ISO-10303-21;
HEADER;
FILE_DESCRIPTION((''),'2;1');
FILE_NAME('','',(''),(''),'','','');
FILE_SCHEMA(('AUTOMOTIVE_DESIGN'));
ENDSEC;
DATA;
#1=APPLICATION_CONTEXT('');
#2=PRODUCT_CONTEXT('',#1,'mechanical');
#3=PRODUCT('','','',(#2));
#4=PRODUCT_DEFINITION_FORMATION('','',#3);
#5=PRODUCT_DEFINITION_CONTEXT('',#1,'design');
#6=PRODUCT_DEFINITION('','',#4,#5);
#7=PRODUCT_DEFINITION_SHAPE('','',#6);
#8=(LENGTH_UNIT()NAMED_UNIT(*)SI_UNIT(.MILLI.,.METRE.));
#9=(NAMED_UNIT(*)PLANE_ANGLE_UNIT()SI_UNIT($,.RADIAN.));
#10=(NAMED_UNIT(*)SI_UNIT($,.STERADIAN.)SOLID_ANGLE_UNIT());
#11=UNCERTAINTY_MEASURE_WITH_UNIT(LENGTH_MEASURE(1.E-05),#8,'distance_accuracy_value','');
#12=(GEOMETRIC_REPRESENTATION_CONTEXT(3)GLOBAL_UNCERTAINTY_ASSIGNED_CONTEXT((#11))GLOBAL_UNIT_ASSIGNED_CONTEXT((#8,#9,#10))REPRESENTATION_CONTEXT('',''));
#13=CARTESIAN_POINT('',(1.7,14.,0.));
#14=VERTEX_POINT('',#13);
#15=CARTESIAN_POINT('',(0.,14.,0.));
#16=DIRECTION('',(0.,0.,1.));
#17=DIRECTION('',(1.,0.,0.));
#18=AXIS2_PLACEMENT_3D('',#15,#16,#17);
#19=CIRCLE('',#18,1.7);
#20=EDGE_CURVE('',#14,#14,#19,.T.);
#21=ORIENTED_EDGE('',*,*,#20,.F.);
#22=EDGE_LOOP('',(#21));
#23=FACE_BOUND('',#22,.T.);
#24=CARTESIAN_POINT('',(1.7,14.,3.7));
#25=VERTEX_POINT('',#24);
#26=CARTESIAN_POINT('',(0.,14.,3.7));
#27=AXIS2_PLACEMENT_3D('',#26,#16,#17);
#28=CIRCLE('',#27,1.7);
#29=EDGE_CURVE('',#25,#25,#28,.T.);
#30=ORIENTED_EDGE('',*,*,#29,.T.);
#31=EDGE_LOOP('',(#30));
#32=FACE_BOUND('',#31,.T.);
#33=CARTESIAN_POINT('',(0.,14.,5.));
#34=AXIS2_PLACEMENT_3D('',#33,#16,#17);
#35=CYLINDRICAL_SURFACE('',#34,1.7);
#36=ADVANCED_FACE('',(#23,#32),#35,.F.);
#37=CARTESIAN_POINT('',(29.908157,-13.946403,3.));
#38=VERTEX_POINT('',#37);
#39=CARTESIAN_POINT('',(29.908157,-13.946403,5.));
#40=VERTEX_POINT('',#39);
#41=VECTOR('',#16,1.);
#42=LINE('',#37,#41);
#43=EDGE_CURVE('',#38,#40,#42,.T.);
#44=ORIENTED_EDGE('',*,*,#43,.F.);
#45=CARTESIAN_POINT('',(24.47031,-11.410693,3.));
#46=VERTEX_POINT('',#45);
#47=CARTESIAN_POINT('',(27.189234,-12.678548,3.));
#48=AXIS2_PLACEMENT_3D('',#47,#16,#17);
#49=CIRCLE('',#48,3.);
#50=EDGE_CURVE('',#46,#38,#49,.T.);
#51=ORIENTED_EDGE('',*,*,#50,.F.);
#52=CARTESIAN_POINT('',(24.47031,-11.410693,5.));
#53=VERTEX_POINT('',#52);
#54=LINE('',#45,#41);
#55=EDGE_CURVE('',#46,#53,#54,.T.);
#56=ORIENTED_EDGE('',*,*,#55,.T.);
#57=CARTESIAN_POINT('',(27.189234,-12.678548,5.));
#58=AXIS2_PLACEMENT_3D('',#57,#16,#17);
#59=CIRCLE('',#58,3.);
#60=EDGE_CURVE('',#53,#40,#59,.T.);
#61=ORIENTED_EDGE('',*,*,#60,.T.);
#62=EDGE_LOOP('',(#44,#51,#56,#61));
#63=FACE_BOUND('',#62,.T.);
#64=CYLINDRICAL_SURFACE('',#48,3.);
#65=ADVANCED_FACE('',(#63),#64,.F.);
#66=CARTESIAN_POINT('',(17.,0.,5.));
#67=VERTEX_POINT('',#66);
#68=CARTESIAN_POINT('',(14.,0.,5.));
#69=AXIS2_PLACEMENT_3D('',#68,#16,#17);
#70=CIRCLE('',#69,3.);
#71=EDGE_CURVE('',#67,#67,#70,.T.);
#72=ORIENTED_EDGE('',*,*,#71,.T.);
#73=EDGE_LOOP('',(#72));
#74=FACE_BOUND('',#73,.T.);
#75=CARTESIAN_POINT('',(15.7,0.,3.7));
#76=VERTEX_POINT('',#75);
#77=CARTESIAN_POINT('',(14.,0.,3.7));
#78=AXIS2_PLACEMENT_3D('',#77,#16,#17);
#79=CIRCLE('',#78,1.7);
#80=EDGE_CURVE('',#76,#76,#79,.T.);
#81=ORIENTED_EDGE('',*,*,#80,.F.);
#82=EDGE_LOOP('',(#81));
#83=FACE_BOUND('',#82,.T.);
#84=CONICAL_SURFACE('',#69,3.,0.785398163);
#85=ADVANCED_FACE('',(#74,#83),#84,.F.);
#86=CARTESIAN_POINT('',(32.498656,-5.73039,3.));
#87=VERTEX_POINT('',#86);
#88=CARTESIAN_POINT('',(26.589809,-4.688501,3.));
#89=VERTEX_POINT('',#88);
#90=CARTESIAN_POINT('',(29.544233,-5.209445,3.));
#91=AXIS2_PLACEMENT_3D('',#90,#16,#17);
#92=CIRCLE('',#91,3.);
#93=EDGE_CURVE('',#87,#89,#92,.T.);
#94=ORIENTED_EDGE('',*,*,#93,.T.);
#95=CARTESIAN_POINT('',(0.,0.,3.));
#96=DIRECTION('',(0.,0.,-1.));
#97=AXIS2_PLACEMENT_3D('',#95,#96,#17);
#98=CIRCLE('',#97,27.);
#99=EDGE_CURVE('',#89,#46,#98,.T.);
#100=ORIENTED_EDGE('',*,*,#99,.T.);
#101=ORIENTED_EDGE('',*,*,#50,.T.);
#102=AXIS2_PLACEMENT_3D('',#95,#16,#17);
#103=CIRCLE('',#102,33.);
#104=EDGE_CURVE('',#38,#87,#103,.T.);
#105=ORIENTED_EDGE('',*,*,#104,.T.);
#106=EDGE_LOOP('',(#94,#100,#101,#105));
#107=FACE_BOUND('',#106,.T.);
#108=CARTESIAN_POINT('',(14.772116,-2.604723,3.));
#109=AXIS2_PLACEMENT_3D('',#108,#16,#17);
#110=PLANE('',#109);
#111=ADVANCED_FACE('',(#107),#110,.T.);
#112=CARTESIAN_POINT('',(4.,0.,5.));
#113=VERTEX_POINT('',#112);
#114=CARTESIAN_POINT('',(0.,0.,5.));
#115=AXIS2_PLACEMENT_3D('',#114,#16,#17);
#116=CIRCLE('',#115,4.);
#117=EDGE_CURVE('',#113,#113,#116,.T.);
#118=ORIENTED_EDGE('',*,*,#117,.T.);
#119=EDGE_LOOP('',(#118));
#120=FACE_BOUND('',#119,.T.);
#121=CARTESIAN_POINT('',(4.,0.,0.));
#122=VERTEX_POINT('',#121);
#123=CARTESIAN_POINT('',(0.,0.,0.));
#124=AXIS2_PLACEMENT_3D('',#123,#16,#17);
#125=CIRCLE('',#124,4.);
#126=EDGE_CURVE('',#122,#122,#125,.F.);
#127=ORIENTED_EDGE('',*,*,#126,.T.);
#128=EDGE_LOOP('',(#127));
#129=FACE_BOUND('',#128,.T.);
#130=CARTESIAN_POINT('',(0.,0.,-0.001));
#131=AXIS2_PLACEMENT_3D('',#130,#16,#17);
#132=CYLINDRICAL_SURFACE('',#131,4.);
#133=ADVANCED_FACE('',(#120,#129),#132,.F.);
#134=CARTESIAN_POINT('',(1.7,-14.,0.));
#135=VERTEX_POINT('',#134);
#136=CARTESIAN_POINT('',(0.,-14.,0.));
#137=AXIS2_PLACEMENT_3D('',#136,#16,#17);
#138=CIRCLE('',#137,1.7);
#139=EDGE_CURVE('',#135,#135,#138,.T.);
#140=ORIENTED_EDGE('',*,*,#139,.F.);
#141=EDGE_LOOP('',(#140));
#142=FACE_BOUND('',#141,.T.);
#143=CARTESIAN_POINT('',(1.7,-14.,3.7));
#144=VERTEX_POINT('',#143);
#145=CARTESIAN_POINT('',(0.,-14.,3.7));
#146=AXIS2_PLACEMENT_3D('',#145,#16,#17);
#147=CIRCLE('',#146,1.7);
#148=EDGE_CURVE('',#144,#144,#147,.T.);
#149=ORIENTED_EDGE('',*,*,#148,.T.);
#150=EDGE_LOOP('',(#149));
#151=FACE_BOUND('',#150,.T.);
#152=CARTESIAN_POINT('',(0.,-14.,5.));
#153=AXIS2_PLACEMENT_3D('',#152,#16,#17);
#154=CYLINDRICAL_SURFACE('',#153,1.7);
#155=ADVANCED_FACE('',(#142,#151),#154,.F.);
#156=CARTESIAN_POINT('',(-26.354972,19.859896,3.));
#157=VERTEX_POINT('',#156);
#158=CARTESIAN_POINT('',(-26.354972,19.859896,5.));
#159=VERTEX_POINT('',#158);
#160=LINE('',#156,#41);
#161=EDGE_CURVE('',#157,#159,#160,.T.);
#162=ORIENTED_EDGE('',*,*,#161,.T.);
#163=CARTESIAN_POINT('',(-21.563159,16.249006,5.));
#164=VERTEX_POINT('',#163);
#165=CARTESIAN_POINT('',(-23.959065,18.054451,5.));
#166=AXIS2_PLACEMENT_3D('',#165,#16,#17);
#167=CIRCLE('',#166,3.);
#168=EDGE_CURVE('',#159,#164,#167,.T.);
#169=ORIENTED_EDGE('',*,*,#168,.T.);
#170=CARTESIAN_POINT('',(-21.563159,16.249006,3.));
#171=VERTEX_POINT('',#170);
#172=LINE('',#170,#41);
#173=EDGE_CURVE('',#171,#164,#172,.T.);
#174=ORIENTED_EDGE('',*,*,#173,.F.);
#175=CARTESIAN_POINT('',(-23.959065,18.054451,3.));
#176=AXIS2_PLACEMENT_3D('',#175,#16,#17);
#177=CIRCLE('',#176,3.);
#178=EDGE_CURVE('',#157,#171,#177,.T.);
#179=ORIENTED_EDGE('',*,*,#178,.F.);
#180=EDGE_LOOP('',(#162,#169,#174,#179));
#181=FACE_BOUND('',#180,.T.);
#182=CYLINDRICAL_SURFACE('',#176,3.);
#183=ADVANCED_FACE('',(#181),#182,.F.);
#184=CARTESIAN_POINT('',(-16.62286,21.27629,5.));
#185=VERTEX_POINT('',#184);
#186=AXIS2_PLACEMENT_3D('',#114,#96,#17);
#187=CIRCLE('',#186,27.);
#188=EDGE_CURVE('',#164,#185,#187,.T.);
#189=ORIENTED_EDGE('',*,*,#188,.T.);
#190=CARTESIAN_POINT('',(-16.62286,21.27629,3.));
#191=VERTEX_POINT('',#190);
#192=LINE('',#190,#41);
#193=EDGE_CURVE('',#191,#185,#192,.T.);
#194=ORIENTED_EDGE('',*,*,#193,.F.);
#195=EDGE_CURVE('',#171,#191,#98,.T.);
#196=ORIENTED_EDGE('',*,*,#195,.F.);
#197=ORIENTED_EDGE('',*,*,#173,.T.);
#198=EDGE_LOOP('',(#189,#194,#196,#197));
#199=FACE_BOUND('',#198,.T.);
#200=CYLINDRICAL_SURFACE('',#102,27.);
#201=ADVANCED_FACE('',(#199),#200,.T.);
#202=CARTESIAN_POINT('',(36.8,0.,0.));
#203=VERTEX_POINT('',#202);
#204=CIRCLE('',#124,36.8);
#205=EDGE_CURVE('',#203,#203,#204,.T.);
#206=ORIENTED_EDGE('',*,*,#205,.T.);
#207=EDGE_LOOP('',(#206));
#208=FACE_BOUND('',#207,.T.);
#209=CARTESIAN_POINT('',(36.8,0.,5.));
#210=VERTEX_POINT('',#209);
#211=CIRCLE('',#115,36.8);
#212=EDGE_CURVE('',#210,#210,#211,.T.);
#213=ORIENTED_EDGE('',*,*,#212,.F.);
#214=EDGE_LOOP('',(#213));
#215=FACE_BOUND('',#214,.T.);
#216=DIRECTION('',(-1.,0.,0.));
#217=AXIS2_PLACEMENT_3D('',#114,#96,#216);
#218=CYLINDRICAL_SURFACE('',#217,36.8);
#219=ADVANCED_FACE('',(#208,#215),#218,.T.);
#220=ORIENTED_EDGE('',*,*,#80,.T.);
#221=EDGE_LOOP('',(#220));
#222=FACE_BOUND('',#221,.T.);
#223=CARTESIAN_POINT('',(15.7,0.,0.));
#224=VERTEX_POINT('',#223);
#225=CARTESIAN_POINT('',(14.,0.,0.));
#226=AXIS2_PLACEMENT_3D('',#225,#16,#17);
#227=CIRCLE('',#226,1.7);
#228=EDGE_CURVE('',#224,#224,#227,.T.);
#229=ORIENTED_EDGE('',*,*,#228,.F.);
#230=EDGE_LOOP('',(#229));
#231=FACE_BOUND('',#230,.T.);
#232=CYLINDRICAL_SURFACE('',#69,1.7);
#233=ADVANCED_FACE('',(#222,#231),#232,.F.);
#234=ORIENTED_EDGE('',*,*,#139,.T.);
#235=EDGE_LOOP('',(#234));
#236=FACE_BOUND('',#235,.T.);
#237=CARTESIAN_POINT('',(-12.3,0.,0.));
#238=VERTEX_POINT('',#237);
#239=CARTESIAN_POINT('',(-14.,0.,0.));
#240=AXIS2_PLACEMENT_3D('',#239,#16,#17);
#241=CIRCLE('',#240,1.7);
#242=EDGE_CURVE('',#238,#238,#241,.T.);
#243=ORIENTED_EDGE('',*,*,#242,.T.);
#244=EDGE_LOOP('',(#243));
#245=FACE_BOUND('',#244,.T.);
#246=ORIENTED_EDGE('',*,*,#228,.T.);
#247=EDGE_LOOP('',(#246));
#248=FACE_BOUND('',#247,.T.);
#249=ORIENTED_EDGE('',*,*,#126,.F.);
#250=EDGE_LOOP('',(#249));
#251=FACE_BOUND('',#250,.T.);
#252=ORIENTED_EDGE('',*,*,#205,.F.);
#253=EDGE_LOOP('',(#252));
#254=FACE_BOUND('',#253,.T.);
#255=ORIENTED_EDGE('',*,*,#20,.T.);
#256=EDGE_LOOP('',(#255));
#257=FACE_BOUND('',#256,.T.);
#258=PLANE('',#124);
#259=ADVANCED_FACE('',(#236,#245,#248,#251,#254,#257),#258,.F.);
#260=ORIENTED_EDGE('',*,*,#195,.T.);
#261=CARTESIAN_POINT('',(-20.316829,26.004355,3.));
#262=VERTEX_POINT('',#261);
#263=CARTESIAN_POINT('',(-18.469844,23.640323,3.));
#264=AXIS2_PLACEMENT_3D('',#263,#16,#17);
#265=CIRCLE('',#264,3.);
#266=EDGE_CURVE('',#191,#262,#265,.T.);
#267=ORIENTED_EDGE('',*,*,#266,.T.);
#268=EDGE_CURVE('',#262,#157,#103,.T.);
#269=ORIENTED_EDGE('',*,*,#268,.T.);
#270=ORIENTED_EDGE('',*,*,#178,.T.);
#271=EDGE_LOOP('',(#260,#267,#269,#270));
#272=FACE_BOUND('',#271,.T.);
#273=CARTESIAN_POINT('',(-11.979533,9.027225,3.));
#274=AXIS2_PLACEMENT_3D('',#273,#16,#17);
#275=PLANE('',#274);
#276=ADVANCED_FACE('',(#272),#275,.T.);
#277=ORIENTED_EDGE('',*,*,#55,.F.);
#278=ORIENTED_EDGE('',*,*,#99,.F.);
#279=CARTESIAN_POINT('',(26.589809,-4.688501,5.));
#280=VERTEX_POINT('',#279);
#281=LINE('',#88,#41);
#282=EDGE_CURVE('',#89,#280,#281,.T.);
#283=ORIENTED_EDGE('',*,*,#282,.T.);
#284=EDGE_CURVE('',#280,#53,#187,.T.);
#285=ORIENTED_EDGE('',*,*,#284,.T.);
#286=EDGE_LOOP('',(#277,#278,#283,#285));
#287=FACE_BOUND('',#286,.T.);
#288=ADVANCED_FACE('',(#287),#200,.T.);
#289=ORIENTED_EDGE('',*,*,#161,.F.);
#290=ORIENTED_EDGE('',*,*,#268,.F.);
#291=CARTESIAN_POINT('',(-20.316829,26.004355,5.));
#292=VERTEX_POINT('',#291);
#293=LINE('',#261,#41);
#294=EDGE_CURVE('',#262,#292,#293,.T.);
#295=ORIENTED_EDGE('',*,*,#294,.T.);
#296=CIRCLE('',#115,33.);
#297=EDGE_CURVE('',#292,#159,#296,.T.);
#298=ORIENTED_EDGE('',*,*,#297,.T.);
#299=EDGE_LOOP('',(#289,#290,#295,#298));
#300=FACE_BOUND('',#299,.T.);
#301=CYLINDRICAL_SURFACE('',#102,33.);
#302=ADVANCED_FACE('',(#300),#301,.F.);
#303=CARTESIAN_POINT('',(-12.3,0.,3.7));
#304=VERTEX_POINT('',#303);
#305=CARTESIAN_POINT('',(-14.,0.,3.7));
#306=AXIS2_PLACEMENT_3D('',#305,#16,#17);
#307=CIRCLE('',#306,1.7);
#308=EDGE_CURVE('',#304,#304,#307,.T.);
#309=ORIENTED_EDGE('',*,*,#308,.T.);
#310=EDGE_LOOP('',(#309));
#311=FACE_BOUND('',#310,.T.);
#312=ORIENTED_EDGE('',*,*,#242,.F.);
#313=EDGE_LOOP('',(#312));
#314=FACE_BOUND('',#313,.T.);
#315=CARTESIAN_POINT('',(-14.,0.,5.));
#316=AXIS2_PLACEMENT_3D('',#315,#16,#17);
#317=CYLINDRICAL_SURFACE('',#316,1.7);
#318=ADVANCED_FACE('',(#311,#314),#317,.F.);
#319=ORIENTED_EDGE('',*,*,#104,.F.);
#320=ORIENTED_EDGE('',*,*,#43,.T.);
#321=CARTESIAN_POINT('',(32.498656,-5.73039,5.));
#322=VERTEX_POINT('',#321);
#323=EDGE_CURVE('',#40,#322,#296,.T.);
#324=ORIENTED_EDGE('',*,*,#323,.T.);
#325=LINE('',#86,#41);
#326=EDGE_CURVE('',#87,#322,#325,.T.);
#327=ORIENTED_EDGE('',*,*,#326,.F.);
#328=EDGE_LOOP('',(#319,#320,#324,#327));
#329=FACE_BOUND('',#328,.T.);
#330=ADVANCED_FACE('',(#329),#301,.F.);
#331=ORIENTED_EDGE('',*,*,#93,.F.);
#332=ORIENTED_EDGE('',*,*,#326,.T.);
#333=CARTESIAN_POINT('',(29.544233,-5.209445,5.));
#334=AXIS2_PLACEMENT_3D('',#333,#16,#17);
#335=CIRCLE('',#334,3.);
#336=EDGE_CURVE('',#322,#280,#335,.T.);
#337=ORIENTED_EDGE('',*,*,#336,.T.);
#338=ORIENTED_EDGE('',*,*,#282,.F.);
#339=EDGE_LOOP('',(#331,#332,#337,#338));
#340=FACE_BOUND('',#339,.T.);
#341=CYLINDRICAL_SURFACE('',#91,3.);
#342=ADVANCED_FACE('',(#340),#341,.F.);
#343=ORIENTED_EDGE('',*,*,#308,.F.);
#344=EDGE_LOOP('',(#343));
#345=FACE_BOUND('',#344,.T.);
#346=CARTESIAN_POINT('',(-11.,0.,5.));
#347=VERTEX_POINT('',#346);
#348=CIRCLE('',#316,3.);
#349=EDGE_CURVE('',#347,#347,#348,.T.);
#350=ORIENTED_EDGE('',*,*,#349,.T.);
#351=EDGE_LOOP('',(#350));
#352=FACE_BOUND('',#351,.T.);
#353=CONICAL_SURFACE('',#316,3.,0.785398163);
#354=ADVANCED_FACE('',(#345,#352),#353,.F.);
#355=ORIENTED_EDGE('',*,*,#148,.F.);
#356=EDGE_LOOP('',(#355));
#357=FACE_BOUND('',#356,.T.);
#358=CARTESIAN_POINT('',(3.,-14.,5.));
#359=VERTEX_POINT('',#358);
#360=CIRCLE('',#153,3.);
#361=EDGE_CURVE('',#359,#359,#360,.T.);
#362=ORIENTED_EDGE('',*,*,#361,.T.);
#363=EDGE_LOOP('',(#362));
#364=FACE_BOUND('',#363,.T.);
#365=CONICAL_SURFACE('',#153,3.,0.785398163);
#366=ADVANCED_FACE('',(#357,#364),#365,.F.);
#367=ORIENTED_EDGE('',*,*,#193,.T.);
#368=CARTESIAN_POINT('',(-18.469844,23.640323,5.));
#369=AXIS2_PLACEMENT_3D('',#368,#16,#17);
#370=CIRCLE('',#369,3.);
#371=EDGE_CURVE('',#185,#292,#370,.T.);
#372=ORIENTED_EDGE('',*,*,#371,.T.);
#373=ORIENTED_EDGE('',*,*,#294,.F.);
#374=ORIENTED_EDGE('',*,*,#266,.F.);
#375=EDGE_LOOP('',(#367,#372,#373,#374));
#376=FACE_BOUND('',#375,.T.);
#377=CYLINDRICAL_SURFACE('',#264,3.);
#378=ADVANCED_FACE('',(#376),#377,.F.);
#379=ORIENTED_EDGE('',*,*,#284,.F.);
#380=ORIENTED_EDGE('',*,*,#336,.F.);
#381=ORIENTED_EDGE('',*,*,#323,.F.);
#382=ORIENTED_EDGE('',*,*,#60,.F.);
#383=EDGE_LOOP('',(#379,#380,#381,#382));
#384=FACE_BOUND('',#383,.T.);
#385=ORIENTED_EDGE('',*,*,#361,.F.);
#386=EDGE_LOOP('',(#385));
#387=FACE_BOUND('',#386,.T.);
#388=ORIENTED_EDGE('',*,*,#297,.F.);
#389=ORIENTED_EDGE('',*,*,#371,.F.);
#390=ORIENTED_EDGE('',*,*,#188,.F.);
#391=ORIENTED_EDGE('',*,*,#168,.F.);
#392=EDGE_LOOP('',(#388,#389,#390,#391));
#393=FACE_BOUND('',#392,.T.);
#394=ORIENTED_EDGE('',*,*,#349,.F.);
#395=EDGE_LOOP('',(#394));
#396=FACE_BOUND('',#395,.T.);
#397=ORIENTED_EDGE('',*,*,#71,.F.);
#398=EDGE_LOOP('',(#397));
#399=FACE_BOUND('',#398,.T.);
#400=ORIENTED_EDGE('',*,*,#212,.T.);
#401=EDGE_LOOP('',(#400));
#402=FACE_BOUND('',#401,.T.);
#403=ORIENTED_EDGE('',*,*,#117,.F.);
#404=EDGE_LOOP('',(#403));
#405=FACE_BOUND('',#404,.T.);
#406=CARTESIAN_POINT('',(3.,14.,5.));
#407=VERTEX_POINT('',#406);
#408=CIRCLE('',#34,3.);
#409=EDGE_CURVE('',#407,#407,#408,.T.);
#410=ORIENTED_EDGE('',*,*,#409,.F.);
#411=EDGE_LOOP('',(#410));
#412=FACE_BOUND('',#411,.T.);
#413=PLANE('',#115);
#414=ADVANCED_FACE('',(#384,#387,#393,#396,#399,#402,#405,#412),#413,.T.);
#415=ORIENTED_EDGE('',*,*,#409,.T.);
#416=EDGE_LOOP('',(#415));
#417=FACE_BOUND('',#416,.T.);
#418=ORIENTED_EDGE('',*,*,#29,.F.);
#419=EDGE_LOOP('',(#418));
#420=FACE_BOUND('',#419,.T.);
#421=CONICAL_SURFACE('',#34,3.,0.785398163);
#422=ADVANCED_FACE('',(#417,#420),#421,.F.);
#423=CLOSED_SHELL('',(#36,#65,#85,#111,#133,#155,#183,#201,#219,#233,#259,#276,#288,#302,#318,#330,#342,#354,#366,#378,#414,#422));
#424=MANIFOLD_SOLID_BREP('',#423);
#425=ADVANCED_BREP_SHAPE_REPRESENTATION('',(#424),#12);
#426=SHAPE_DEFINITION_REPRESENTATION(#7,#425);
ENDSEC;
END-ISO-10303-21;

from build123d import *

# Parameters (mm, degrees)
SKETCH1_R                                           = 36.8
BOSS_EXTRUDE1_DEPTH                                 = 5
CUT_EXTRUDE1_REACH                                  = 54.283
SKETCH2_R                                           = 4
CUT_EXTRUDE2_DEPTH                                  = 2
CUT_EXTRUDE3_DEPTH                                  = 2
CSK_FOR_M3_FLAT_COUNTERSUNK_HEAD_SCREW1_D           = 3.4
CSK_FOR_M3_FLAT_COUNTERSUNK_HEAD_SCREW1_DEPTH       = 9
CSK_FOR_M3_FLAT_COUNTERSUNK_HEAD_SCREW1_CSINK_D     = 6
CSK_FOR_M3_FLAT_COUNTERSUNK_HEAD_SCREW1_CSINK_ANGLE = 90
CSK_FOR_M3_FLAT_COUNTERSUNK_HEAD_SCREW1_TIP         = 1.021463052


with BuildPart() as part:
    # Sketch1 → Boss-Extrude1 (new body)
    with BuildSketch(Plane.XY):
        Circle(SKETCH1_R)
    extrude(amount=BOSS_EXTRUDE1_DEPTH)

    # Sketch2 → Cut-Extrude1 (cut, up to next)
    with BuildSketch(Plane.XY.offset(5), mode=Mode.PRIVATE) as cut_extrude1_sk1:
        Circle(SKETCH2_R)
    cut_extrude1_tool1 = extrude(cut_extrude1_sk1.sketch, amount=-CUT_EXTRUDE1_REACH, mode=Mode.PRIVATE) & part.part
    add(cut_extrude1_tool1.solids().sort_by_distance((0, 0, 5))[0], mode=Mode.SUBTRACT)

    # Sketch3 → Cut-Extrude2 (cut)
    with BuildSketch(Plane.XY.offset(5)):
        with BuildLine():
            ThreePointArc((24.47031025, -11.410693067), (25.75035767, -8.119056587), (26.589809331, -4.688500797))
            ThreePointArc((26.589809331, -4.688500797), (30.065177123, -2.255022071), (32.498655849, -5.730389863))
            ThreePointArc((32.498655849, -5.730389863), (31.472659375, -9.923291384), (29.908156972, -13.946402637))
            ThreePointArc((29.908156972, -13.946402637), (25.921378826, -15.397471213), (24.47031025, -11.410693067))
        make_face()
    extrude(amount=-CUT_EXTRUDE2_DEPTH, mode=Mode.SUBTRACT)

    # Sketch4 → Cut-Extrude3 (cut)
    with BuildSketch(Plane.XY.offset(5)):
        with BuildLine():
            ThreePointArc((-20.316828686, 26.004354869), (-23.537264822, 23.130005722), (-26.354971832, 19.859895764))
            ThreePointArc((-26.354971832, 19.859895764), (-25.764510371, 15.658544164), (-21.563158771, 16.249005625))
            ThreePointArc((-21.563158771, 16.249005625), (-19.257762127, 18.924550136), (-16.622859834, 21.276290347))
            ThreePointArc((-16.622859834, 21.276290347), (-16.105811999, 25.487307034), (-20.316828686, 26.004354869))
        make_face()
    extrude(amount=-CUT_EXTRUDE3_DEPTH, mode=Mode.SUBTRACT)

    # CSK for M3 Flat Countersunk Head Screw1
    with Locations(Plane.XY.offset(5)):
        with Locations((0, 14), (14, 0), (0, -14), (-14, 0)):
            CounterSinkHole(CSK_FOR_M3_FLAT_COUNTERSUNK_HEAD_SCREW1_D / 2, CSK_FOR_M3_FLAT_COUNTERSUNK_HEAD_SCREW1_CSINK_D / 2, depth=CSK_FOR_M3_FLAT_COUNTERSUNK_HEAD_SCREW1_DEPTH, counter_sink_angle=CSK_FOR_M3_FLAT_COUNTERSUNK_HEAD_SCREW1_CSINK_ANGLE)
            with Locations((0, 0, -(CSK_FOR_M3_FLAT_COUNTERSUNK_HEAD_SCREW1_DEPTH + CSK_FOR_M3_FLAT_COUNTERSUNK_HEAD_SCREW1_TIP / 2))):  # 118° drill point
                Cone(0, CSK_FOR_M3_FLAT_COUNTERSUNK_HEAD_SCREW1_D / 2, CSK_FOR_M3_FLAT_COUNTERSUNK_HEAD_SCREW1_TIP, mode=Mode.SUBTRACT)


solid = part.part
